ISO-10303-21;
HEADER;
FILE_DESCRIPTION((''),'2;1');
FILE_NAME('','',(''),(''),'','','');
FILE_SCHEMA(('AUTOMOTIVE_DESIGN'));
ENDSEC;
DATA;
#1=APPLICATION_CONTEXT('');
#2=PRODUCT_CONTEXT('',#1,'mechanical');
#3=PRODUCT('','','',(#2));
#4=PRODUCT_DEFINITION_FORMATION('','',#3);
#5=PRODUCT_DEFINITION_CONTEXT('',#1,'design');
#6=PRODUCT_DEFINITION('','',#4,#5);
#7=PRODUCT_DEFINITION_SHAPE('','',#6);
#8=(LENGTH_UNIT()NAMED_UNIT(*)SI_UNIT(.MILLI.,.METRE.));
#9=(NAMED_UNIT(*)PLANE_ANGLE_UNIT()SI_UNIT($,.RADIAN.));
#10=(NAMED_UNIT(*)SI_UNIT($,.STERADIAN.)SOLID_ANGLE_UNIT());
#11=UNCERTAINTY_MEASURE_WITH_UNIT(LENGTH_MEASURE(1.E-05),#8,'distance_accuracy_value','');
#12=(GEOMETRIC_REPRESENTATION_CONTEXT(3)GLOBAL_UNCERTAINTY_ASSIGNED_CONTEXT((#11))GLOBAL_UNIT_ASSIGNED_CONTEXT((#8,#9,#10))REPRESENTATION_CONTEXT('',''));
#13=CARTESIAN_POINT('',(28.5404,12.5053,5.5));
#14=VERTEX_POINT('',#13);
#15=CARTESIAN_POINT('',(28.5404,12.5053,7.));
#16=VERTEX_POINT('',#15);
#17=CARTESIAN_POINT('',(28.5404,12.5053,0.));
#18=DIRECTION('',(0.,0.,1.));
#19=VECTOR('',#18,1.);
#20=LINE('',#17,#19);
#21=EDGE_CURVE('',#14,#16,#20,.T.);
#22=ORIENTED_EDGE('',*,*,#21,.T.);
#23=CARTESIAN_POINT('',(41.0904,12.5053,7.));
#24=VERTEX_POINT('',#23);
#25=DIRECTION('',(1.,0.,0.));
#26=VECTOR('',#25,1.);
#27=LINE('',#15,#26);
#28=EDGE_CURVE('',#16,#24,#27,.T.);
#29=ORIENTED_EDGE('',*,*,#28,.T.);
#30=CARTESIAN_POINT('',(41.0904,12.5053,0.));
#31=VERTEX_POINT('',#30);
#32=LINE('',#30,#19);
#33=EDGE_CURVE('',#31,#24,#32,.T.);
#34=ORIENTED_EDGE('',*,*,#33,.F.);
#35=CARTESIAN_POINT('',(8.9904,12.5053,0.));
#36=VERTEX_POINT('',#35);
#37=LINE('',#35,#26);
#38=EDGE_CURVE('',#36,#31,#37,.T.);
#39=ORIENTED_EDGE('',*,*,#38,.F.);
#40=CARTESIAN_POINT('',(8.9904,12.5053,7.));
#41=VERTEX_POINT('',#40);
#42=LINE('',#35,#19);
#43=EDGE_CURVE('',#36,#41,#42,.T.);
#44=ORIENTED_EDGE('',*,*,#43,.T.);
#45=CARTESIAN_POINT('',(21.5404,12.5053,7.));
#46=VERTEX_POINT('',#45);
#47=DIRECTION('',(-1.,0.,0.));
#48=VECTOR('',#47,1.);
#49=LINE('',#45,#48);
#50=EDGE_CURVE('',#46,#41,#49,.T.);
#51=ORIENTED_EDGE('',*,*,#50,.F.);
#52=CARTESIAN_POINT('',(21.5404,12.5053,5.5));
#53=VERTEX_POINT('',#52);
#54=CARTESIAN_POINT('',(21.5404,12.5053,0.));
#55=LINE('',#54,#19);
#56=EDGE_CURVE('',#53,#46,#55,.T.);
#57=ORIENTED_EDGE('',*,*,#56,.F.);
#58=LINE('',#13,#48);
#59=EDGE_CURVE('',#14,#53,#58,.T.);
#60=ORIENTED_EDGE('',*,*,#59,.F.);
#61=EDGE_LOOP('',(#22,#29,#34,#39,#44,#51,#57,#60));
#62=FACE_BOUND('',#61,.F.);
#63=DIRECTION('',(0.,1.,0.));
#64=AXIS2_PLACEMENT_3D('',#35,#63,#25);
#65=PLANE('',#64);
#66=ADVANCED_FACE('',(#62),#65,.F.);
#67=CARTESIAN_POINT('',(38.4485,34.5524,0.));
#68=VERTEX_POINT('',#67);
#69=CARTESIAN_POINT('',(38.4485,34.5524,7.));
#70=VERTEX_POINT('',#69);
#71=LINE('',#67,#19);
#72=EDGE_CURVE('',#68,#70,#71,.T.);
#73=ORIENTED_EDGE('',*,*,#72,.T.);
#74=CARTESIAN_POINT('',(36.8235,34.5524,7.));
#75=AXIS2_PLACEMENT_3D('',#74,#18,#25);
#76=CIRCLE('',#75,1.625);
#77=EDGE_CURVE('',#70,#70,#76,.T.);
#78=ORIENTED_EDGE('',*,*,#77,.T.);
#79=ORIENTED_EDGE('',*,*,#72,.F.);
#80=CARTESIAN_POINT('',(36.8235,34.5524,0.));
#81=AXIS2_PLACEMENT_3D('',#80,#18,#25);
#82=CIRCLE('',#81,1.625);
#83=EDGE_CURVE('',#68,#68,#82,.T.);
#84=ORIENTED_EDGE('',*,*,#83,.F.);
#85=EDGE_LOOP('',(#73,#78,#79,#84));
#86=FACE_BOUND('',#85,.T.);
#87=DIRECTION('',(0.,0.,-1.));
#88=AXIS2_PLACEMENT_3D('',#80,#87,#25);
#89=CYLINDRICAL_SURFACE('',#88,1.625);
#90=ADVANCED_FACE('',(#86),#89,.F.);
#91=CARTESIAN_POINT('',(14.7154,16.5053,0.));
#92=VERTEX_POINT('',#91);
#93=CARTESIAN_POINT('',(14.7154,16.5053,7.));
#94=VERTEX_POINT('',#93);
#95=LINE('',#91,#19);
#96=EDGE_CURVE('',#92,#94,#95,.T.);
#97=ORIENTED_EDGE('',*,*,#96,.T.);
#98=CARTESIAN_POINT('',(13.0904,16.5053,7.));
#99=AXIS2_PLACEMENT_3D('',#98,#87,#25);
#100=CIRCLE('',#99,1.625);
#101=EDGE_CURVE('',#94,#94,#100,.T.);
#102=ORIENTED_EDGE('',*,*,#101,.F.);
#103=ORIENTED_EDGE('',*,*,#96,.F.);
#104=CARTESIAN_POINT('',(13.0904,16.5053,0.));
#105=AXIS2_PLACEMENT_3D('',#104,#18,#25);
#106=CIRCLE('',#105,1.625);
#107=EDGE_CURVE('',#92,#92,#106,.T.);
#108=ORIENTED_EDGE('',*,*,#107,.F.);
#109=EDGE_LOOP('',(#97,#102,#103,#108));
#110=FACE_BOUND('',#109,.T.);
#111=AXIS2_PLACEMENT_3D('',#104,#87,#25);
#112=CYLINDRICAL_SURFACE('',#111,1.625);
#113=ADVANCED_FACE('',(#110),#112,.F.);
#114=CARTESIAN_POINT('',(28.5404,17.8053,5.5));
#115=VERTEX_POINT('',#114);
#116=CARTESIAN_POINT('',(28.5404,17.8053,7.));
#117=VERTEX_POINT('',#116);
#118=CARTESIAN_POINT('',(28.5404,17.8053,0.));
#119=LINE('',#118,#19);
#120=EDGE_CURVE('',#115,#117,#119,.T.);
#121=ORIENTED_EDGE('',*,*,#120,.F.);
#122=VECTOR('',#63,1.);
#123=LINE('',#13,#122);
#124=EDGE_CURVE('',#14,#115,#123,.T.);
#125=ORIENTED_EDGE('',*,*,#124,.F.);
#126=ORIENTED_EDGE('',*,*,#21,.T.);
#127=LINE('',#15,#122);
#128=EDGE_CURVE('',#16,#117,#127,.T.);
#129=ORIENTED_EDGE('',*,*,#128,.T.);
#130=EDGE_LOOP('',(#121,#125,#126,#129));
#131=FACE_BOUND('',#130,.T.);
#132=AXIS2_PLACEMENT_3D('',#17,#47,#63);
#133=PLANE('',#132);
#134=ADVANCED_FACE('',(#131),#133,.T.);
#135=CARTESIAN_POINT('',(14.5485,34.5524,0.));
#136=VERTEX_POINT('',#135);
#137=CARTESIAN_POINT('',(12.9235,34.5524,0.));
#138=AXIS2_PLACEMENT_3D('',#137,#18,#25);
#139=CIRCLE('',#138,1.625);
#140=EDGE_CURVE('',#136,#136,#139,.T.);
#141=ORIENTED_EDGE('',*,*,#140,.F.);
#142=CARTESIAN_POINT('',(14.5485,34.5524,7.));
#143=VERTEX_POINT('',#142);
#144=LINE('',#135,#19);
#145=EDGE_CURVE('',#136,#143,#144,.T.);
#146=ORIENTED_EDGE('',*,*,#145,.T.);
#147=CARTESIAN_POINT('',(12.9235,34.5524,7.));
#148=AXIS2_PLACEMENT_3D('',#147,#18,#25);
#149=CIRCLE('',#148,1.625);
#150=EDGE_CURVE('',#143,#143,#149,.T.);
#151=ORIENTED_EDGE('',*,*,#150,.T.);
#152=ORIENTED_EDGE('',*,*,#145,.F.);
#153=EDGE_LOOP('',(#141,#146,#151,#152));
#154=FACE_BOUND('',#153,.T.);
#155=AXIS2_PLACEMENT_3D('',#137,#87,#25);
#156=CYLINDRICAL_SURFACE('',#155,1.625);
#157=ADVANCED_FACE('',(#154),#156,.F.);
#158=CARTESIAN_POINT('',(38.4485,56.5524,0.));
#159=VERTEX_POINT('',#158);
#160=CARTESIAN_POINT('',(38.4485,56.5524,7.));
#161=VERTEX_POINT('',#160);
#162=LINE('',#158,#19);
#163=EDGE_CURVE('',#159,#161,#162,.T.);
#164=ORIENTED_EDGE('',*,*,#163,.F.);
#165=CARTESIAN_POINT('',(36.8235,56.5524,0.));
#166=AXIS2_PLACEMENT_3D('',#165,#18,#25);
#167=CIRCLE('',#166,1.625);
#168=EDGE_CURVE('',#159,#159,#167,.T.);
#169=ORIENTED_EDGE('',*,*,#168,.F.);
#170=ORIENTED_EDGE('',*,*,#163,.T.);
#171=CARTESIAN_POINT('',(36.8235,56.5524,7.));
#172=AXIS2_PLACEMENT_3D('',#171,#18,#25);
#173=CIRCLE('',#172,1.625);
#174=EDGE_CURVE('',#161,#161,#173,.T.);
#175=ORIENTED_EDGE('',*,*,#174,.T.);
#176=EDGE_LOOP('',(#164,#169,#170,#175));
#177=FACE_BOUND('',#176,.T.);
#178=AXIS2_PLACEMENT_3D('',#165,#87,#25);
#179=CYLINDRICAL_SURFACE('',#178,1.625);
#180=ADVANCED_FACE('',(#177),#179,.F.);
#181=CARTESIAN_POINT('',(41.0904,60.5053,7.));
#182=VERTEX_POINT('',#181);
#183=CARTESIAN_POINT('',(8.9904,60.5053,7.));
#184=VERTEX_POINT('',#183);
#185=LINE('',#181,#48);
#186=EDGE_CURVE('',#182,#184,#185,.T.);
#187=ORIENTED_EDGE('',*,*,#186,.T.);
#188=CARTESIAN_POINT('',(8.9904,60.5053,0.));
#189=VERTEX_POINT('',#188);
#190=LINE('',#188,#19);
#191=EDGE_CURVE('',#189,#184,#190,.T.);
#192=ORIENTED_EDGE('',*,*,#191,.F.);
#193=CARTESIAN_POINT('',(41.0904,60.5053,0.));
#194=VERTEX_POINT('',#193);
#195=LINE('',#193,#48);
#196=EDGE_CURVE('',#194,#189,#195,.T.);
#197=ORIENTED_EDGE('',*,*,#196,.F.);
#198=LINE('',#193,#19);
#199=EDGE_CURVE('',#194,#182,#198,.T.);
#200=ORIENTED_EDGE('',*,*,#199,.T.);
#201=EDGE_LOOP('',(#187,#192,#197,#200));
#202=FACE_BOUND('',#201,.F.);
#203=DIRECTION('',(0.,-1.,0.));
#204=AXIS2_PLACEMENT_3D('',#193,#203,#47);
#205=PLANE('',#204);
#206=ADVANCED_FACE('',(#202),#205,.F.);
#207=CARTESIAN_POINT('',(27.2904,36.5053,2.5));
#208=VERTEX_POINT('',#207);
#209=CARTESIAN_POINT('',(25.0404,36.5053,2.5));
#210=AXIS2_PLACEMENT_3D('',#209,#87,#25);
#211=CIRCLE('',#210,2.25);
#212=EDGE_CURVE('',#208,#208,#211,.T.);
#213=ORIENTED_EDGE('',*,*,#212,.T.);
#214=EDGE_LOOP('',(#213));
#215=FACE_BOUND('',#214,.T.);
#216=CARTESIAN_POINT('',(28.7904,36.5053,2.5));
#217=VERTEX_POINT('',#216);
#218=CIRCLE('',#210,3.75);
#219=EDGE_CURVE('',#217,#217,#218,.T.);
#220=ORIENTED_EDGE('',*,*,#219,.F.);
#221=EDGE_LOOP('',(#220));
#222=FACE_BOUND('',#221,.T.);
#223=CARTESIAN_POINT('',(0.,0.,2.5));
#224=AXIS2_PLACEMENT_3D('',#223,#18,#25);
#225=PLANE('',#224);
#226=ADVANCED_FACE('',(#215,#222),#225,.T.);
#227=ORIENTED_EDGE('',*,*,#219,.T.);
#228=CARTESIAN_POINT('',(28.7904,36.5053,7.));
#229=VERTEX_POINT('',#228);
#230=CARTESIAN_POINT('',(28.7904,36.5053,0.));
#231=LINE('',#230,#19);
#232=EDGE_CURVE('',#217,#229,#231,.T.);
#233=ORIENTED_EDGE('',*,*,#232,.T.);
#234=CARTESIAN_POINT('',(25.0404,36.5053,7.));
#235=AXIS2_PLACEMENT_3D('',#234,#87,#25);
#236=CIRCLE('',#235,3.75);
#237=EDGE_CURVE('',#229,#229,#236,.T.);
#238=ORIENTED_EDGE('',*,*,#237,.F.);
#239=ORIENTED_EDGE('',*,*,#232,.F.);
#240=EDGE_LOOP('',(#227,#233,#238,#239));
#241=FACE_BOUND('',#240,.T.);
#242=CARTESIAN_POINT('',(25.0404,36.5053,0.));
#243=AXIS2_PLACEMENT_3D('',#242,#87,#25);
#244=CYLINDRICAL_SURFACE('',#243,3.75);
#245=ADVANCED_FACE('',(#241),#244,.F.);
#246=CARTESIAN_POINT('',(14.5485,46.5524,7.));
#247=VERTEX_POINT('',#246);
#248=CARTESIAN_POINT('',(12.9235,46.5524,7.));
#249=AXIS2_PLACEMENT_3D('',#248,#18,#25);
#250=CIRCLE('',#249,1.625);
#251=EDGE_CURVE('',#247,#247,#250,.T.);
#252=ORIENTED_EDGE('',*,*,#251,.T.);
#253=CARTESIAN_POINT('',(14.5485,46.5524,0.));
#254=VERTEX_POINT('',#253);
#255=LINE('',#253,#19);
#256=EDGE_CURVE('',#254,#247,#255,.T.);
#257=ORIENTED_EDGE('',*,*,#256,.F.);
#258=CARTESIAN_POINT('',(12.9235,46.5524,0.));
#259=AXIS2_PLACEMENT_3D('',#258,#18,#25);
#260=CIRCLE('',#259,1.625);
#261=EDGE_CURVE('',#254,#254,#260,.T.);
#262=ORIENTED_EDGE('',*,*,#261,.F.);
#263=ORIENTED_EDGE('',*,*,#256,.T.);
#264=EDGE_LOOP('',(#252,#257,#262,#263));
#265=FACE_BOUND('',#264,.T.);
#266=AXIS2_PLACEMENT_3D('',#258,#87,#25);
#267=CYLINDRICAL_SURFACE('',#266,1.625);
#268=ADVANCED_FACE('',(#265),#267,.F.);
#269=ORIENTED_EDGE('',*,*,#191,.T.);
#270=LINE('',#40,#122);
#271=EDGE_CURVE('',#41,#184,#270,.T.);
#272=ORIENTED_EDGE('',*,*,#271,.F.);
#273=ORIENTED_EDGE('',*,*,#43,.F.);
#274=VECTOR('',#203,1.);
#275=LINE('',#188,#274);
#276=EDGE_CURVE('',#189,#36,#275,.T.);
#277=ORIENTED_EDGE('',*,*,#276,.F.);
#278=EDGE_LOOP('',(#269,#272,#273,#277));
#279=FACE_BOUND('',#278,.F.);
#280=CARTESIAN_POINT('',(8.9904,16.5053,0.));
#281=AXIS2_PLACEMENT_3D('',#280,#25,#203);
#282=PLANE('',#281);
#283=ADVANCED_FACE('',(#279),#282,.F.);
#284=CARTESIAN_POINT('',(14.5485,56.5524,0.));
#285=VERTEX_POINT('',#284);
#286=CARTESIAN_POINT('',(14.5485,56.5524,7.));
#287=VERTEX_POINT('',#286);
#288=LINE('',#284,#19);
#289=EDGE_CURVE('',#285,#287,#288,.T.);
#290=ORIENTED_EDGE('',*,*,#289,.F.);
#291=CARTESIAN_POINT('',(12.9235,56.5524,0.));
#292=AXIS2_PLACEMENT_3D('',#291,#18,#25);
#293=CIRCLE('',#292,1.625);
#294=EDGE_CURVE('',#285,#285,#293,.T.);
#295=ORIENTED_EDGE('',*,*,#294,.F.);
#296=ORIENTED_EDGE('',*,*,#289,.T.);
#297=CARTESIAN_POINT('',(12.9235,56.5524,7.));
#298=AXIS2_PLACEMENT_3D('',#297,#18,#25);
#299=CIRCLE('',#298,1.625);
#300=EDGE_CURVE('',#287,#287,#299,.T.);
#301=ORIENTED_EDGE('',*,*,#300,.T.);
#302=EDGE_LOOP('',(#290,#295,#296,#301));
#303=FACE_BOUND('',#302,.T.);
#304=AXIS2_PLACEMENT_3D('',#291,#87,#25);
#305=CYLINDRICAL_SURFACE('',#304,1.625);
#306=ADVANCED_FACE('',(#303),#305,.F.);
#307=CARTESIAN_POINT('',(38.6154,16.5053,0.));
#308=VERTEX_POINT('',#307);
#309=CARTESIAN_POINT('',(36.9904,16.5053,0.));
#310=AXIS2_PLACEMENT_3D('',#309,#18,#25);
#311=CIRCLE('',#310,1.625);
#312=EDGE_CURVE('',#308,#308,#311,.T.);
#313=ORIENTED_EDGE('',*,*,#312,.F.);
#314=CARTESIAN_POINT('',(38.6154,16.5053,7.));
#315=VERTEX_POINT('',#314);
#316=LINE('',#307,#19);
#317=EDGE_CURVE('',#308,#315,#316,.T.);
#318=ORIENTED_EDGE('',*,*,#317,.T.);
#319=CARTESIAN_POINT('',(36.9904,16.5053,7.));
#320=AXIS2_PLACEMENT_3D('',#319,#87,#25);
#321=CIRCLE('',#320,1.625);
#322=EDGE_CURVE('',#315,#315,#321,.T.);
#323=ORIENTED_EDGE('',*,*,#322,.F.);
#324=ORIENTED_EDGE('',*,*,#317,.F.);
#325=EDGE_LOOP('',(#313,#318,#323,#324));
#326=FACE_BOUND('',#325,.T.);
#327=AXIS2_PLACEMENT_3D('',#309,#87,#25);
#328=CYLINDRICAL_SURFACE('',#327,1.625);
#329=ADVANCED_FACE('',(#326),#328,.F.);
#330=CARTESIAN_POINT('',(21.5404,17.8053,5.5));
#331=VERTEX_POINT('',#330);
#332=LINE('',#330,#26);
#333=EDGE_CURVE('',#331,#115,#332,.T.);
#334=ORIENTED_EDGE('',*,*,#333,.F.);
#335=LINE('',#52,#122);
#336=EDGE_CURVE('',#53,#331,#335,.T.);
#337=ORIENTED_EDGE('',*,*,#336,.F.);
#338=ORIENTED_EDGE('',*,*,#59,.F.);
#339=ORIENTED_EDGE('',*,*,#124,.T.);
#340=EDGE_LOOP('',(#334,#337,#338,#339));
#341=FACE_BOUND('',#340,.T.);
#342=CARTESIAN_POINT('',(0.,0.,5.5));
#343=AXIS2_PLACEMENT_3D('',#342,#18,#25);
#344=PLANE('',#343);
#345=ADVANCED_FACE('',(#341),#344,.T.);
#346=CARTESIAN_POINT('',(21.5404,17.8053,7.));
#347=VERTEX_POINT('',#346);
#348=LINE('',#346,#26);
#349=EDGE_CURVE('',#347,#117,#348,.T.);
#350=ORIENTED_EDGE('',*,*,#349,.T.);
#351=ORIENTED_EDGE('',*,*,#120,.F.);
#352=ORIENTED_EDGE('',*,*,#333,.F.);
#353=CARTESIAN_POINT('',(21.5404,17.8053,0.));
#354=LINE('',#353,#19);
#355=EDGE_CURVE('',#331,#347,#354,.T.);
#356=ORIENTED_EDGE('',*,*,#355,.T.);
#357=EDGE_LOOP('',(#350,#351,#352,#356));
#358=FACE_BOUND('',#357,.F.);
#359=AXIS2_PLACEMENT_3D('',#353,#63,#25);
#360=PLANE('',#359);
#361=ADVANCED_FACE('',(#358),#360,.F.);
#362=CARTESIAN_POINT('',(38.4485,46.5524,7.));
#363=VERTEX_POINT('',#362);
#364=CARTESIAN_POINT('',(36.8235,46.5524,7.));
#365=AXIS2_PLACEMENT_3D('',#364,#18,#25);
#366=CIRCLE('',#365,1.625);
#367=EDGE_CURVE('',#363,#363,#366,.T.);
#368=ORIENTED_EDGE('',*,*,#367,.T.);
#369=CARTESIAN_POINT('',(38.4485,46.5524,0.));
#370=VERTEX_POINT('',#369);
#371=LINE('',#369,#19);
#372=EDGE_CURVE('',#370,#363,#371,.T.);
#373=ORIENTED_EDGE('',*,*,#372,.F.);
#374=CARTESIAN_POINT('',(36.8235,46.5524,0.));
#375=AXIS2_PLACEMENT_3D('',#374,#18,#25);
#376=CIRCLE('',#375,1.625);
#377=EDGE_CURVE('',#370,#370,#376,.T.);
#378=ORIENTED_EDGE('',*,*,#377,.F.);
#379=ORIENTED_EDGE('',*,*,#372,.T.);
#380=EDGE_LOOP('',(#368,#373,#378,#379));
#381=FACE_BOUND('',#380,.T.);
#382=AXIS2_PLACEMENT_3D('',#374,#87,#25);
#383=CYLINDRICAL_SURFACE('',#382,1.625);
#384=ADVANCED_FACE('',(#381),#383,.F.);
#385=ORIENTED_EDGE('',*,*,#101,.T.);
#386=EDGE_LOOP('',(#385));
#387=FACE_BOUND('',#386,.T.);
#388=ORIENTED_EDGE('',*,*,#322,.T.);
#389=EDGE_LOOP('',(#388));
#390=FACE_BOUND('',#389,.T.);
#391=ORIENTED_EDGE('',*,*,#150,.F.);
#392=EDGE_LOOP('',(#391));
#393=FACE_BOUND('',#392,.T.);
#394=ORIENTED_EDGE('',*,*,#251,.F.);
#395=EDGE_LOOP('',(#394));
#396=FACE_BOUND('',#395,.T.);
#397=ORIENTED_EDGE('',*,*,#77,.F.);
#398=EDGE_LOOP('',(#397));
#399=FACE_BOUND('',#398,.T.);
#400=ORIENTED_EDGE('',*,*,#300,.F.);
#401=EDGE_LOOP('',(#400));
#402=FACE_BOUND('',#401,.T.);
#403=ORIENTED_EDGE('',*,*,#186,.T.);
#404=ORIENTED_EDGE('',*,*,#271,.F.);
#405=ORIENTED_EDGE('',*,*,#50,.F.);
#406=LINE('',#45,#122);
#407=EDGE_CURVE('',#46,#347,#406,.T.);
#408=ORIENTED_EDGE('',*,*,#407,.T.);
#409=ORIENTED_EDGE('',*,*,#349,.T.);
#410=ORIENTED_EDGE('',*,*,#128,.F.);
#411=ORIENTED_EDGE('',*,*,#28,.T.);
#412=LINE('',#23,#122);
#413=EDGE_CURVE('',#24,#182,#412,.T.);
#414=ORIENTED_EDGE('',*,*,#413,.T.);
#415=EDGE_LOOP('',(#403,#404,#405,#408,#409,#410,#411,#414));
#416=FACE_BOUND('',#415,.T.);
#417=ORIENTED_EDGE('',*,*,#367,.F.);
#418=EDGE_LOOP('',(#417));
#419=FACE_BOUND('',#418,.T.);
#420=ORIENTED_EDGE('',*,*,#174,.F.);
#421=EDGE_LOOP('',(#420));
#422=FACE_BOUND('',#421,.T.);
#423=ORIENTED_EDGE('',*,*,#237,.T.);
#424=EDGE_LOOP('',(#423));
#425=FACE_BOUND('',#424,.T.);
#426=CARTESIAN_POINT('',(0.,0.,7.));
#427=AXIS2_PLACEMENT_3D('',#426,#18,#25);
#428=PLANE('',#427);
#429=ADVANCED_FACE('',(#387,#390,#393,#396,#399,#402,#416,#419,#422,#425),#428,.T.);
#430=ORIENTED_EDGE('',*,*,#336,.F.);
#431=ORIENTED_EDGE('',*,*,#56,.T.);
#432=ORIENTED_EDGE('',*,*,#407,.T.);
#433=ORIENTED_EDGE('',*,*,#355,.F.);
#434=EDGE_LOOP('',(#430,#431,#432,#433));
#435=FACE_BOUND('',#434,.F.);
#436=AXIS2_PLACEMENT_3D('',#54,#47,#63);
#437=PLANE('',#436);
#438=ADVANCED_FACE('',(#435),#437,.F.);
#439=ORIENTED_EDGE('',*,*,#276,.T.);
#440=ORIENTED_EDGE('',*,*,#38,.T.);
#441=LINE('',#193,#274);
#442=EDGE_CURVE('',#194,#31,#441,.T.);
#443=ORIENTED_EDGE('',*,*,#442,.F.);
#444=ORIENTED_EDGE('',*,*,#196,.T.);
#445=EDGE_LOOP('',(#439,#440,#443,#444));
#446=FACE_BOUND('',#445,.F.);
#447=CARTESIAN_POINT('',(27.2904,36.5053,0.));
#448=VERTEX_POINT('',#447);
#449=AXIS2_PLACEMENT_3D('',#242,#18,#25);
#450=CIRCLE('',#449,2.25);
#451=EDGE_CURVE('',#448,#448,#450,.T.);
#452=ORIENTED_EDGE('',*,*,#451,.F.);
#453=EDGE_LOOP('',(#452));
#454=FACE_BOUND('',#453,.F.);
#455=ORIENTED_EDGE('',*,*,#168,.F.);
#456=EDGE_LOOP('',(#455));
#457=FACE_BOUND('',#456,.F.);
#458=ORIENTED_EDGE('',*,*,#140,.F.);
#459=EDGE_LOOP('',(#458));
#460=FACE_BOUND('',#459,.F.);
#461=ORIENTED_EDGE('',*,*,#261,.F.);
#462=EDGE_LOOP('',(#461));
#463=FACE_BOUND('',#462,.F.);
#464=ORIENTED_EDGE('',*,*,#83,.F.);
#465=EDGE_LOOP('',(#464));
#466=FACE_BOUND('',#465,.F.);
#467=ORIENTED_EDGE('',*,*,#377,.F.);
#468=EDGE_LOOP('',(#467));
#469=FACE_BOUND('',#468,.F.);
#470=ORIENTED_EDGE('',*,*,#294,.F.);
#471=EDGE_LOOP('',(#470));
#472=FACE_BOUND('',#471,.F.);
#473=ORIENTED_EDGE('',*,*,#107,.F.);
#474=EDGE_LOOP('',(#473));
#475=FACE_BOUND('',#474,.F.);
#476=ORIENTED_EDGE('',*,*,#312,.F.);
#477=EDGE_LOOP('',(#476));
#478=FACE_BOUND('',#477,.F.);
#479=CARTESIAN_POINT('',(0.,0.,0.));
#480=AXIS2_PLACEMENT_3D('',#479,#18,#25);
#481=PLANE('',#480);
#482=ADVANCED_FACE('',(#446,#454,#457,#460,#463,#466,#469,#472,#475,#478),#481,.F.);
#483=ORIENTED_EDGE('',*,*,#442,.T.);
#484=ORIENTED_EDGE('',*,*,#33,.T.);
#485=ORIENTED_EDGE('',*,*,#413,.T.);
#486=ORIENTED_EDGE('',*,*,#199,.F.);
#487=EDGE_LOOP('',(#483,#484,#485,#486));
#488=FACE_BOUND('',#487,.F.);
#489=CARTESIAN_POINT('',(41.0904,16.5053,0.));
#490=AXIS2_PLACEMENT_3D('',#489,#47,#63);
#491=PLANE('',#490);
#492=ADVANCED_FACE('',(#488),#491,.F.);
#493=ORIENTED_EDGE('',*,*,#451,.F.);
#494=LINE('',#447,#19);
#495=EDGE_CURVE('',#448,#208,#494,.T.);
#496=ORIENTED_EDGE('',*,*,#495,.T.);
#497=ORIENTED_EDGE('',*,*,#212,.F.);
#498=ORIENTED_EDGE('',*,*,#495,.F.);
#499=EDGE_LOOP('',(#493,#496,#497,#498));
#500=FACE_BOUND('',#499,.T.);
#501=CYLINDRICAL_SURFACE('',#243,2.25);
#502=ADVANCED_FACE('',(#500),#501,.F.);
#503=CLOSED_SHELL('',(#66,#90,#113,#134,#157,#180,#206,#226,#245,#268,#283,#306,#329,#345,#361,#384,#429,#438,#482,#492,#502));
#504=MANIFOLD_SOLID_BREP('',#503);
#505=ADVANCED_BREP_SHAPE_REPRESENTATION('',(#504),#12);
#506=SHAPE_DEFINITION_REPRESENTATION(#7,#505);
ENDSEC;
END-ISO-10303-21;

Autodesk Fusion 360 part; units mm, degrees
sketch "Sketch1" plane through (0, 0, 0) normal (0, 0, 1) x (1, 0, 0)
  line L0 (8.9904, 12.5053) -> (41.0904, 12.5053)
  line L1 (41.0904, 12.5053) -> (41.0904, 60.5053)
  line L2 (41.0904, 60.5053) -> (8.9904, 60.5053)
  line L3 (8.9904, 60.5053) -> (8.9904, 12.5053)
  line L4 (41.0904, 60.5053) -> (8.9904, 60.5053)
  line L5 (8.9904, 60.5053) -> (8.9904, 12.5053)
  line L6 (8.9904, 12.5053) -> (41.0904, 12.5053)
  line L7 (41.0904, 12.5053) -> (41.0904, 60.5053)
  line L8 (8.9904, 12.5053) -> (41.0904, 12.5053)
  line L9 (41.0904, 12.5053) -> (41.0904, 60.5053)
  line L10 (41.0904, 60.5053) -> (8.9904, 60.5053)
  line L11 (8.9904, 60.5053) -> (8.9904, 12.5053)
  line L12 (8.9904, 12.5053) -> (13.0904, 12.5053)
  line L13 (13.0904, 12.5053) -> (13.0904, 16.5053)
  line L14 (13.0904, 16.5053) -> (8.9904, 16.5053)
  line L15 (8.9904, 16.5053) -> (8.9904, 12.5053)
  line L16 (41.0904, 12.5053) -> (36.9904, 12.5053)
  line L17 (36.9904, 12.5053) -> (36.9904, 16.5053)
  line L18 (36.9904, 16.5053) -> (41.0904, 16.5053)
  line L19 (41.0904, 16.5053) -> (41.0904, 12.5053)
  line L20 (8.9904, 12.5053) -> (25.0404, 12.5053)
  line L21 (25.0404, 12.5053) -> (25.0404, 36.5053)
  line L22 (25.0404, 36.5053) -> (8.9904, 36.5053)
  line L23 (8.9904, 36.5053) -> (8.9904, 12.5053)
  circle A0 centre (25.0404, 36.5053) radius 2.25
  line L24 (25.0404, 12.5053) -> (28.5404, 12.5053)
  line L25 (28.5404, 12.5053) -> (28.5404, 17.8053)
  line L26 (28.5404, 17.8053) -> (25.0404, 17.8053)
  line L27 (25.0404, 17.8053) -> (25.0404, 12.5053)
  line L28 (25.0404, 12.5053) -> (21.5404, 12.5053)
  line L29 (21.5404, 12.5053) -> (21.5404, 17.8053)
  line L30 (21.5404, 17.8053) -> (25.0404, 17.8053)
  line L31 (25.0404, 17.8053) -> (25.0404, 12.5053)
  circle A1 centre (12.9235, 34.5524) radius 1.625
  circle A2 centre (12.9235, 46.5524) radius 1.625
  circle A3 centre (12.9235, 56.5524) radius 1.625
  circle A4 centre (36.8235, 56.5524) radius 1.625
  circle A5 centre (36.8235, 46.5524) radius 1.625
  circle A6 centre (36.8235, 34.5524) radius 1.625
  circle A7 centre (36.9904, 16.5053) radius 1.625
  circle A8 centre (13.0904, 16.5053) radius 1.625
  circle A9 centre (25.0404, 36.5053) radius 3.75
  point P0 (12.9235, 16.5524)
  dimension "d1" = 32.1
  dimension "d2" = 48
  dimension "d5" = 4.1
  dimension "d6" = 4
  dimension "d8" = 4.1
  dimension "d9" = 4
  dimension "d17" = 16.05
  dimension "d18" = 24
  dimension "d20" = 4.5
  dimension "d21" = 3.5
  dimension "d22" = 5.3
  dimension "d23" = 3.5
  dimension "d24" = 5.3
  dimension "d31" = 3.25
  dimension "d32" = 3.25
  dimension "d33" = 3.25
  dimension "d34" = 3.25
  dimension "d35" = 3.25
  dimension "d36" = 3.25
  dimension "d37" = 3.25
  dimension "d38" = 3.25
  dimension "d45" = 7.5
extrude "Extrude8" add sketch "Sketch1" along normal blind 7 contours L0 L3 L5 L6 L8 L11 L12 L13 L14 L15 L20 L23 A8 | L0 L3 L5 L6 L8 L11 L13 L14 L20 L21 L22 L23 L29 L30 A8 A9 | L0 L1 L2 L3 L4 L5 L6 L7 L8 L9 L10 L11 L17 L18 L21 L22 L25 L26 A7 A9 | L0 L1 L6 L7 L8 L9 L16 L17 L18 L19 A7
extrude "Extrude9" add sketch "Sketch1" along normal blind 5.5 contours L0 L6 L8 L20 L21 L27 L28 L29 L30 L31 | L0 L6 L8 L21 L24 L25 L26 L27 L31
extrude "Extrude10" add sketch "Sketch1" along normal blind 2.5 contours L21 L22 A0 A9 | L21 L22 A0 A9
